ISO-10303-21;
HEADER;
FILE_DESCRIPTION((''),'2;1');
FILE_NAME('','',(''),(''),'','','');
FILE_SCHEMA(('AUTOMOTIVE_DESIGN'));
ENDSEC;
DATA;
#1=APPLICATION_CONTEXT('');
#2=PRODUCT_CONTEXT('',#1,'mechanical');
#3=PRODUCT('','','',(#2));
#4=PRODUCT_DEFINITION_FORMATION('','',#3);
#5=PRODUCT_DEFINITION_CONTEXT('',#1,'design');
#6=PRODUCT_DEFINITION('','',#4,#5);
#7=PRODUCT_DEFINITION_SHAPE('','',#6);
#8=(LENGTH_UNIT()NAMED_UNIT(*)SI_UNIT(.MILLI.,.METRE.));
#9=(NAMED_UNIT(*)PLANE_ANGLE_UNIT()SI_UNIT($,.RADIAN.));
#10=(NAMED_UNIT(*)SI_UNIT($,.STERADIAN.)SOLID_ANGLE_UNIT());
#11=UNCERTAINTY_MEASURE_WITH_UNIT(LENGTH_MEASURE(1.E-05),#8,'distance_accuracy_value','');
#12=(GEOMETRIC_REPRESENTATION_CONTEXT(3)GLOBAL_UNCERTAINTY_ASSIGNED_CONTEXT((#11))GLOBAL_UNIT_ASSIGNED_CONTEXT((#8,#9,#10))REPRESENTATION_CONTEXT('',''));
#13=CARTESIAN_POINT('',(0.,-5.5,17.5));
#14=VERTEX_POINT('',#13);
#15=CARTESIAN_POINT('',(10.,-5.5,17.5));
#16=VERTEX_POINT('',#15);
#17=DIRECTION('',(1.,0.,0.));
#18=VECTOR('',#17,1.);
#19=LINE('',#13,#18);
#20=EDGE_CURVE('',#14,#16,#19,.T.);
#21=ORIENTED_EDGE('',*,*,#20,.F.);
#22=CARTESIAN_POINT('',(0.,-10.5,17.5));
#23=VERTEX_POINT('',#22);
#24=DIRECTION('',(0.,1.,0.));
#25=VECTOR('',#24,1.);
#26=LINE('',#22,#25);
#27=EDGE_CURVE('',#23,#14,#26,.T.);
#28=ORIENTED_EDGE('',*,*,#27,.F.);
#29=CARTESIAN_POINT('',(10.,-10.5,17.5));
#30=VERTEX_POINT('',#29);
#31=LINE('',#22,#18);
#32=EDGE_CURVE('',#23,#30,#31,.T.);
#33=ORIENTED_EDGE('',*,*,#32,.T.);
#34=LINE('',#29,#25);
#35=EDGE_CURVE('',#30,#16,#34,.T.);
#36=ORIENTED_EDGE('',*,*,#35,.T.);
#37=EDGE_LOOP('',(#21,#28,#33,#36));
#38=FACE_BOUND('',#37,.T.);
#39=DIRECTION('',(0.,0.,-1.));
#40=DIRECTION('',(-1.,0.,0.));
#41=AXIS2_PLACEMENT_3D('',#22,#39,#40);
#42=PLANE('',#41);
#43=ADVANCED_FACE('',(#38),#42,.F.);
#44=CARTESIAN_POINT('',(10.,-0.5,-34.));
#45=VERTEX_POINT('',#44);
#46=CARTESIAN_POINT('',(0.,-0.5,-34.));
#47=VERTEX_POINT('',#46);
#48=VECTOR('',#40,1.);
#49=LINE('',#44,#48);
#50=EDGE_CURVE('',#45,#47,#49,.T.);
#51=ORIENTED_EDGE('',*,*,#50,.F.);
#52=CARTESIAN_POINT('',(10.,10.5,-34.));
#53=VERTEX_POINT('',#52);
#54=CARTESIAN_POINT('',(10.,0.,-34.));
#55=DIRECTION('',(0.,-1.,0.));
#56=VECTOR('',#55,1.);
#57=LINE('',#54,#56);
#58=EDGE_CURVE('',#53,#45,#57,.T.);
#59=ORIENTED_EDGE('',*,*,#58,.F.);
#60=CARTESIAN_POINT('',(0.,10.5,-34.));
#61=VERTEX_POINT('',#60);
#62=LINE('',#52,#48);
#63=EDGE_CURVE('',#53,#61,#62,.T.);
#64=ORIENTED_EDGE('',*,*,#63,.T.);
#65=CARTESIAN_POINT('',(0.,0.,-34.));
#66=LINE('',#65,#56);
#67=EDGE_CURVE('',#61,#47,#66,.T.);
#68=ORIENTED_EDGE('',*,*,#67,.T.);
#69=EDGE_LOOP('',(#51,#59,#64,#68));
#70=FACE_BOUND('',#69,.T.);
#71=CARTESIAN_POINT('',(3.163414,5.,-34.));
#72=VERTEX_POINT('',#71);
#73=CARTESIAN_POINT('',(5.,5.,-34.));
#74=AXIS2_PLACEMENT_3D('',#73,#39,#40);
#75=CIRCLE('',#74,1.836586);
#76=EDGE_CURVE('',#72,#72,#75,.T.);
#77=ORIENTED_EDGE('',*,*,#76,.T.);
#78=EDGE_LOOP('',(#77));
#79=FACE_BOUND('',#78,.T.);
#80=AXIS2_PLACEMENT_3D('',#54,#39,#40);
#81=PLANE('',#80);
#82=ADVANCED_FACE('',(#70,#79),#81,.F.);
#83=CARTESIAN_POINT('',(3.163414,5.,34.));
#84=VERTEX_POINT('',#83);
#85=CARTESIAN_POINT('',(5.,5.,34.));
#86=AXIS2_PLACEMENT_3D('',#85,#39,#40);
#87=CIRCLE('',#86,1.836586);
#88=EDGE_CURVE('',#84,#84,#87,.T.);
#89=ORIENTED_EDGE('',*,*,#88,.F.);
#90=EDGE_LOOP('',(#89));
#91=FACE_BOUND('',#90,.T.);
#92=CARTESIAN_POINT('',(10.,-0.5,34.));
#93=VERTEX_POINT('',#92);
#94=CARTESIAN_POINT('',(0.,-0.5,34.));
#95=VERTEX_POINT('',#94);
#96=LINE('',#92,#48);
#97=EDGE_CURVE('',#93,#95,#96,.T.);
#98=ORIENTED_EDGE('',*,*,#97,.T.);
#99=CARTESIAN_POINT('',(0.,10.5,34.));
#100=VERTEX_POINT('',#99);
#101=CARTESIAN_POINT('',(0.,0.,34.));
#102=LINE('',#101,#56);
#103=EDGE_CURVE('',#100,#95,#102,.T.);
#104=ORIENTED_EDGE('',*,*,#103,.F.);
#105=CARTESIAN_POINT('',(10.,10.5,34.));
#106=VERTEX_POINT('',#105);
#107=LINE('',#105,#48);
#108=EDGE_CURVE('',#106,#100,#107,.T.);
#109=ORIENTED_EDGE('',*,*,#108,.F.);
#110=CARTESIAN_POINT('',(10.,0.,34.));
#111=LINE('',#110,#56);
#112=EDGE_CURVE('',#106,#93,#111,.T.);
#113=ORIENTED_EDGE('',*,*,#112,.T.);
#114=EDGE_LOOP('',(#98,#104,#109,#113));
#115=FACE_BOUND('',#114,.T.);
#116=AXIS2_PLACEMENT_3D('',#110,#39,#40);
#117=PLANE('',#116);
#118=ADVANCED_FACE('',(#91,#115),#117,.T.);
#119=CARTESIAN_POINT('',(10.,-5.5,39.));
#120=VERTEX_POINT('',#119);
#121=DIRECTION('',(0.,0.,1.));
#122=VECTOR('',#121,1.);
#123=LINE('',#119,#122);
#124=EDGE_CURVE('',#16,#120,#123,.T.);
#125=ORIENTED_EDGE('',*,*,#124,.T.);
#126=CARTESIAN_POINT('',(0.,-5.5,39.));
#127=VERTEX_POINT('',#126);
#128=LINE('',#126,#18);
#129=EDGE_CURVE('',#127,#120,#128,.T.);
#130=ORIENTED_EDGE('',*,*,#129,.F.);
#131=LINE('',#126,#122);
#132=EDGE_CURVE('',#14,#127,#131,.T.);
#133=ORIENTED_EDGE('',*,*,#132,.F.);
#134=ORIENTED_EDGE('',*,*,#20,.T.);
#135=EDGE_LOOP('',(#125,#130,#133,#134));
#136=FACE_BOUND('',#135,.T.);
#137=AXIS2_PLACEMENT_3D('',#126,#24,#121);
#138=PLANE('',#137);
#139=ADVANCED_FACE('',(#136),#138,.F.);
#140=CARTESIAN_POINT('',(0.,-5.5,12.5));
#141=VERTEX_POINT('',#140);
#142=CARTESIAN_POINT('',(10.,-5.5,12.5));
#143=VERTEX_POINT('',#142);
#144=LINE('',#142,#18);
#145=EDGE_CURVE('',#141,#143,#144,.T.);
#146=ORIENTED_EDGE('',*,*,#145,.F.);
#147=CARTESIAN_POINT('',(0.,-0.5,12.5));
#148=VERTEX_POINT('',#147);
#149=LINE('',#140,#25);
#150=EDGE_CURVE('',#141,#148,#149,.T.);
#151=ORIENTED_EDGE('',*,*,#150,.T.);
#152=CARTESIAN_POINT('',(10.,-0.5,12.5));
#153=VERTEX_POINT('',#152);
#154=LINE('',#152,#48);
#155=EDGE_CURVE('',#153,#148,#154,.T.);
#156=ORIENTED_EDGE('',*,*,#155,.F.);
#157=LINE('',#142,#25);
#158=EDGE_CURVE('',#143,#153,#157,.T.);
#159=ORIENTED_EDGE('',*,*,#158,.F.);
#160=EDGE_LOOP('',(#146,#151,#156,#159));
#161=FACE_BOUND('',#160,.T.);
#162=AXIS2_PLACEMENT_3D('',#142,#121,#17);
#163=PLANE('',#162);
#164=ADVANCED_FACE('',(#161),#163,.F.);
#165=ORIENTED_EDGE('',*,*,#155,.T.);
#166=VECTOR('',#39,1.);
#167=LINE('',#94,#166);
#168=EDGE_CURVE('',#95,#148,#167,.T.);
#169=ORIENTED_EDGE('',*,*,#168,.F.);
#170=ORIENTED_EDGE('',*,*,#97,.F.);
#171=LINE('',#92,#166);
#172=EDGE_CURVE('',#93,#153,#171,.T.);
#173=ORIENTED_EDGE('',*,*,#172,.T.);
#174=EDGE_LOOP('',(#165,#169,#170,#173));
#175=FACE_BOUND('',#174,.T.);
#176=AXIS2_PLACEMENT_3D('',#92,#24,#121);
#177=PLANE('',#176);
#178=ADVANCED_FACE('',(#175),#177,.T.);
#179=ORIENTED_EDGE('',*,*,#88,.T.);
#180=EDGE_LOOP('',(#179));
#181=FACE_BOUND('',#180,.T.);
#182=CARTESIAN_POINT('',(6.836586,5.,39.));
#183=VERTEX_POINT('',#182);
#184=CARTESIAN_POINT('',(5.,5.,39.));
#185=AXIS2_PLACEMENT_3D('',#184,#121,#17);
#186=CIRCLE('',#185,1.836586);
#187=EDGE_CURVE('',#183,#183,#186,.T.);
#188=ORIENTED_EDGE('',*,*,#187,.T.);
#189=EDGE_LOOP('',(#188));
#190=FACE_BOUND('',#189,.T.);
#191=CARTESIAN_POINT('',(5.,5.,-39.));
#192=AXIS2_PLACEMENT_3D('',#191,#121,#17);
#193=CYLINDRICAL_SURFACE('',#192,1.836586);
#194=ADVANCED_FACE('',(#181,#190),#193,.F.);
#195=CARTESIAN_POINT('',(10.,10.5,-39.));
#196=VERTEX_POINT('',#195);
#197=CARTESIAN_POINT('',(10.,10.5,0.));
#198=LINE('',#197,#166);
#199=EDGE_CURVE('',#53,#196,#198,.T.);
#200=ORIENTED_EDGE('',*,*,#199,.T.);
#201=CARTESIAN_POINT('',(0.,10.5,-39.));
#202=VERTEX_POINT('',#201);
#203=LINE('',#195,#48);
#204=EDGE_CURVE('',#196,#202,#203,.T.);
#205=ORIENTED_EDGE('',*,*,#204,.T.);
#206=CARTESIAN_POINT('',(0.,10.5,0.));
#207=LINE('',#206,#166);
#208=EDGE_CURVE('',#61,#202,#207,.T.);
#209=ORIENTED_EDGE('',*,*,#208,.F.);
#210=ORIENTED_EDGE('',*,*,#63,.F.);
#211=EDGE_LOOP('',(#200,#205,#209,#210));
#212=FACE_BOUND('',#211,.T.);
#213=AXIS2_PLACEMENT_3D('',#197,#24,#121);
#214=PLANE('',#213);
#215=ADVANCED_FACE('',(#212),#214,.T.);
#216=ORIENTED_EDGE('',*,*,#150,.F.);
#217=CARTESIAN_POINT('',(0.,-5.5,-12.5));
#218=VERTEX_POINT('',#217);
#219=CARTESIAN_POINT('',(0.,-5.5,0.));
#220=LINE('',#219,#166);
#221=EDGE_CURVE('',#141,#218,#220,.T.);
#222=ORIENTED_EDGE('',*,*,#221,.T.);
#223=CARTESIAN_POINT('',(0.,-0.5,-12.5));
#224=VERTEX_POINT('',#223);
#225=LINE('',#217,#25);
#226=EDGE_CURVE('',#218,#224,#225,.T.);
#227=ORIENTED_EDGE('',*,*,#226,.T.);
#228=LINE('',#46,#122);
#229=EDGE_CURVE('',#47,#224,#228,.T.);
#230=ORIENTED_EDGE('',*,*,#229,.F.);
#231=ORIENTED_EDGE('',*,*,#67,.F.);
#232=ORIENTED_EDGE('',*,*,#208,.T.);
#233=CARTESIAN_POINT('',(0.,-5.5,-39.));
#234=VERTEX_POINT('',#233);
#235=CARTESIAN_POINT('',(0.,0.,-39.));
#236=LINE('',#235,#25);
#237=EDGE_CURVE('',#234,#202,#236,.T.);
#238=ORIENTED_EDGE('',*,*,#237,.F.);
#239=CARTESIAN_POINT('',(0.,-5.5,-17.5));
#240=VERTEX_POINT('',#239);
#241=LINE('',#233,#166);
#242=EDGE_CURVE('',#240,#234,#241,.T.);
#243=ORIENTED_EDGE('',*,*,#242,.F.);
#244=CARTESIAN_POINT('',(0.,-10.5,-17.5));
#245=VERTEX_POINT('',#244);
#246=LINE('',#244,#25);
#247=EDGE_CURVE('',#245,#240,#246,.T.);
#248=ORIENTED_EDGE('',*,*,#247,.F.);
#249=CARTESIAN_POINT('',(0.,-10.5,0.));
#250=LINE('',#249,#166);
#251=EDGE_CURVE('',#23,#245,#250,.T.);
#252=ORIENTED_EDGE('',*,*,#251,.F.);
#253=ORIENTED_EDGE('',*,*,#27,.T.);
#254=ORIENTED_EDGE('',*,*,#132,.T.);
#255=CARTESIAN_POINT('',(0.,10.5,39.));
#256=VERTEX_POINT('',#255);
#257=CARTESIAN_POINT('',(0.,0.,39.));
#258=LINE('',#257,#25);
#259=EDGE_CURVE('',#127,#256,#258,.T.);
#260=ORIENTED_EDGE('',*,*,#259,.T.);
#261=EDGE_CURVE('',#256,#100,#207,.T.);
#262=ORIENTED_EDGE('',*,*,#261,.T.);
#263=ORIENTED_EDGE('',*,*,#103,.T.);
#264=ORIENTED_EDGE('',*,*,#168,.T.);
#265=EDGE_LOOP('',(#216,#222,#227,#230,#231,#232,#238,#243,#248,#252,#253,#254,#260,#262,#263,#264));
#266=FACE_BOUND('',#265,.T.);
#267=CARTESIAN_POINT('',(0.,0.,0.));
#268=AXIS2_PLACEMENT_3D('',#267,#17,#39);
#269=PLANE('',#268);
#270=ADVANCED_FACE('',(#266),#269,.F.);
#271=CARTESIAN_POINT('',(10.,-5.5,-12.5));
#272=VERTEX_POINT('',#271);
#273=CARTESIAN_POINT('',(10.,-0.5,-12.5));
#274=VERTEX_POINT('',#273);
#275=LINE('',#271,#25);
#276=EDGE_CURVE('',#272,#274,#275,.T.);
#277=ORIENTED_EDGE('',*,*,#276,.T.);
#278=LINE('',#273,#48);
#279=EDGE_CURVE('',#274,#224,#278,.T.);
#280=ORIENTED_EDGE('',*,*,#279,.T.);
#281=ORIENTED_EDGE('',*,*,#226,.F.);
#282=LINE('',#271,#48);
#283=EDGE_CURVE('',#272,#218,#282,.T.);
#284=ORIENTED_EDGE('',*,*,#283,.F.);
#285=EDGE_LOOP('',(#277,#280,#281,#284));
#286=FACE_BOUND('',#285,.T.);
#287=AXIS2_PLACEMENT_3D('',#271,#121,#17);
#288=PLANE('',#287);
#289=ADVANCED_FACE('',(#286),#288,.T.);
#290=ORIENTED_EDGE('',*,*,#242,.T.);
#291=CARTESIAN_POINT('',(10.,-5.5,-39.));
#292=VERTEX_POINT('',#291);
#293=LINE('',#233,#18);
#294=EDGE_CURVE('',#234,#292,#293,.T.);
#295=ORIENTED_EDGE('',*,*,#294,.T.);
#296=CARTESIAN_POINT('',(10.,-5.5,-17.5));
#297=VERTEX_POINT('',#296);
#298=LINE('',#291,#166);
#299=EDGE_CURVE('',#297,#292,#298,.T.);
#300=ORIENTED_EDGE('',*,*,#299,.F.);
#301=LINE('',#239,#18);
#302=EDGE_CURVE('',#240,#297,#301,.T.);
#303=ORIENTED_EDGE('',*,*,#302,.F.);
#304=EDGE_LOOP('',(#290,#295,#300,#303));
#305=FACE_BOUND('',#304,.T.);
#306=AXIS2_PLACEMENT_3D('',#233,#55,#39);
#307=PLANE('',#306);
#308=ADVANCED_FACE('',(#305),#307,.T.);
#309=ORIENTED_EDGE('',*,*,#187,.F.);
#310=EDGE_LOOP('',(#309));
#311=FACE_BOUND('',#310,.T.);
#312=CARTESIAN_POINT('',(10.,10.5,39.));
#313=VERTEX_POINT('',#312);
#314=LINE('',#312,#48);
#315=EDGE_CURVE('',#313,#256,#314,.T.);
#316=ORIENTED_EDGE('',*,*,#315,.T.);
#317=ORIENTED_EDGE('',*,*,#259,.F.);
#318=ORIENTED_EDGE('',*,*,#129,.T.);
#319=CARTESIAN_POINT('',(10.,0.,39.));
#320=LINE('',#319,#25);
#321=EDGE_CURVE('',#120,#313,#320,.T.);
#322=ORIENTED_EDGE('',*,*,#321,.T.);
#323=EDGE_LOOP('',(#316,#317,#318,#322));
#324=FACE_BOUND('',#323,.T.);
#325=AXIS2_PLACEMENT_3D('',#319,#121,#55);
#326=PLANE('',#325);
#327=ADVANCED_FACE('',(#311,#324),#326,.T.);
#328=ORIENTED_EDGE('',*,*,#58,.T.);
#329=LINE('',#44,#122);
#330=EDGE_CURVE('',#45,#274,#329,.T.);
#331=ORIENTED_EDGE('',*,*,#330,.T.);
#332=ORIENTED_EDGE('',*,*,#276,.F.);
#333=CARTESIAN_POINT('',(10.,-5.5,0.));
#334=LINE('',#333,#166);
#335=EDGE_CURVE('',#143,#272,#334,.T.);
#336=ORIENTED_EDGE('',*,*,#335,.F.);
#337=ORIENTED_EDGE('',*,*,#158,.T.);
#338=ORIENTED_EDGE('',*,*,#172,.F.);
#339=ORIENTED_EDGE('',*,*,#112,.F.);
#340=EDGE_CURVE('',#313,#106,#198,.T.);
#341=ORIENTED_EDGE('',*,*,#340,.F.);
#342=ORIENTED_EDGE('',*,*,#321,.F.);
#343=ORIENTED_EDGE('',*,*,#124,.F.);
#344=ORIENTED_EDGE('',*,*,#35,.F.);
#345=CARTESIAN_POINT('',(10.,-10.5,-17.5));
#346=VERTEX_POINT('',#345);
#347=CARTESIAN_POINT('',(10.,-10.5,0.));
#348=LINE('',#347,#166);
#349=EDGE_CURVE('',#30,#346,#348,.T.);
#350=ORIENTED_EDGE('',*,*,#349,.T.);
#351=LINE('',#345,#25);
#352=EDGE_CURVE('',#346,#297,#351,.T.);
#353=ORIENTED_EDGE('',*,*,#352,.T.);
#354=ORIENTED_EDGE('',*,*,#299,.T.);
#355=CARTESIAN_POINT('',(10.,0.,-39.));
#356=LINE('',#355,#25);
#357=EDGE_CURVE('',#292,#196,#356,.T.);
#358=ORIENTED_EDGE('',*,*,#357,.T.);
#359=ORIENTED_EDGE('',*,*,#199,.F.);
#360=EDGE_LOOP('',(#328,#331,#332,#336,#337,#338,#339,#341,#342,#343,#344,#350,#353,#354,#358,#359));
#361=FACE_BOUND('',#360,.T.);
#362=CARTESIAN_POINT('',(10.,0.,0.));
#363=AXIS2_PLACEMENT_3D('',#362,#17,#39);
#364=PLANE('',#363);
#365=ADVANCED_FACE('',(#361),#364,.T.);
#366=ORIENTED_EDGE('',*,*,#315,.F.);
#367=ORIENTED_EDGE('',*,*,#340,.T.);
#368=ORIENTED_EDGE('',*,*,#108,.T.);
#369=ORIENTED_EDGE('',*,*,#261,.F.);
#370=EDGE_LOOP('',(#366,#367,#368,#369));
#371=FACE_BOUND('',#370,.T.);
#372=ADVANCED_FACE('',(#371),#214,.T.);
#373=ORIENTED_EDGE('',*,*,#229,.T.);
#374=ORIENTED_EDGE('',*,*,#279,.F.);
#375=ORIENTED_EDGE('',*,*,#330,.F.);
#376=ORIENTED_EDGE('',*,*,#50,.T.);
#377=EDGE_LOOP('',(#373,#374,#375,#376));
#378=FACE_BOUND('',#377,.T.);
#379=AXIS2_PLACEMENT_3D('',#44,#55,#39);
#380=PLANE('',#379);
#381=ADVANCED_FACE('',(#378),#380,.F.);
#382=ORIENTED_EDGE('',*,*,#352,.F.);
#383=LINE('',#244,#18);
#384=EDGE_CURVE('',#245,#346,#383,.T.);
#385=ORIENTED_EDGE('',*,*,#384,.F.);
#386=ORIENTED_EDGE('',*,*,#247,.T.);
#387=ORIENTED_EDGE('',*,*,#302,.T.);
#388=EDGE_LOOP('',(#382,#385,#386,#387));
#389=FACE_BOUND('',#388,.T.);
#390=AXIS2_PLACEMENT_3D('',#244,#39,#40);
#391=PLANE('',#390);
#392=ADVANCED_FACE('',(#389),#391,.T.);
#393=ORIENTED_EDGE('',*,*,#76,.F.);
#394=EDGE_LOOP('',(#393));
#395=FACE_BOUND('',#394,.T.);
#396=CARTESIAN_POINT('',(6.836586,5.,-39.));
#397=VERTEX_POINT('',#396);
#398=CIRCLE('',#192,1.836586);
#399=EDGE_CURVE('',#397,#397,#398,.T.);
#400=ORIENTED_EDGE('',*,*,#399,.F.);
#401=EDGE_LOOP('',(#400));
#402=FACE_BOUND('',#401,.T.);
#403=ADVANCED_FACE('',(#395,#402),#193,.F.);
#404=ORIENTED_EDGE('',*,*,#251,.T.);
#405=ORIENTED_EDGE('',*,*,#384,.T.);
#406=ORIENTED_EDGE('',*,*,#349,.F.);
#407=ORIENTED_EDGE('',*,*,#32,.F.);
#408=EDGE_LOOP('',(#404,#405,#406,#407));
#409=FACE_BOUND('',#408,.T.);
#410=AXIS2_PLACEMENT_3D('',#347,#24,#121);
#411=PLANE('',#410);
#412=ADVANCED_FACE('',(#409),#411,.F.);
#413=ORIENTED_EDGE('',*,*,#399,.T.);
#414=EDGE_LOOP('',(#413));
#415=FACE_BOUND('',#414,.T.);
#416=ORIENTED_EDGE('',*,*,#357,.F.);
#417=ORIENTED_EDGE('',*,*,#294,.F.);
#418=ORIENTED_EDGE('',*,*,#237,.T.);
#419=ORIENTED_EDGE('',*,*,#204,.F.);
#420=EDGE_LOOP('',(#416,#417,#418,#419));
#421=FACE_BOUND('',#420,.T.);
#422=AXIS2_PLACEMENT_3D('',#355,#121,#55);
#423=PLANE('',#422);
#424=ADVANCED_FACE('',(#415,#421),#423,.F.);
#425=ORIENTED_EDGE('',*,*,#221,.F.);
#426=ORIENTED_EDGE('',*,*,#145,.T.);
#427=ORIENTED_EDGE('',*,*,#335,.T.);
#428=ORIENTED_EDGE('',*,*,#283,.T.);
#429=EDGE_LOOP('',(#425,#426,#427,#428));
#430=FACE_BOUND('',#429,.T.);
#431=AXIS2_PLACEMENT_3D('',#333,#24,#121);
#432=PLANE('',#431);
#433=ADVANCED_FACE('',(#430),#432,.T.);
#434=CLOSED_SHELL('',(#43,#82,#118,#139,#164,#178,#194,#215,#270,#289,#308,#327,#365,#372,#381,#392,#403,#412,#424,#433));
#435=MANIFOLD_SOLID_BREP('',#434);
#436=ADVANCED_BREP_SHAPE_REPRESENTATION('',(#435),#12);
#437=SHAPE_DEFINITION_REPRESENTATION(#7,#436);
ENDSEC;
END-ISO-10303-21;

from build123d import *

# Parameters (mm, degrees)
SKETCH1_W               = 21.5
SKETCH1_H               = 5
BOSS_EXTRUDE1_DEPTH     = 10
CUT_EXTRUDE1_DEPTH      = 75.426137882
CUT_EXTRUDE1_DEPTH_BACK = 75.426137882
SKETCH2_R               = 1.836585915
SKETCH3_W               = 21.5
SKETCH3_H               = 5
CUT_EXTRUDE2_DEPTH      = 10


with BuildPart() as part:
    # Sketch1 → Boss-Extrude1 (new body)
    with BuildSketch(Plane(origin=(0, 0, 0), x_dir=(0, 0, -1), z_dir=(1, 0, 0))):
        Polygon((-39, 10.5), (-39, -10.5), (39, -10.5), (39, 10.5), (34, 10.5), (34, -0.5), (34, -5.5), (12.5, -5.5), (-12.5, -5.5), (-34, -5.5), (-34, -0.5), (-34, 10.5), align=None)
        with Locations((-23.25, -3)):
            Rectangle(SKETCH1_W, SKETCH1_H)
        with Locations((23.25, -3)):
            Rectangle(SKETCH1_W, SKETCH1_H)
    extrude(amount=BOSS_EXTRUDE1_DEPTH)

    # Sketch2 → Cut-Extrude1 (cut, two sides: drawn at the far end of the back side and taken through both)
    with BuildSketch(Plane.XY.offset(-34).offset(-CUT_EXTRUDE1_DEPTH_BACK)):
        with Locations((5, 5)):
            Circle(SKETCH2_R)
    extrude(amount=CUT_EXTRUDE1_DEPTH + CUT_EXTRUDE1_DEPTH_BACK, mode=Mode.SUBTRACT)

    # Sketch3 → Cut-Extrude2 (cut)
    with BuildSketch(Plane(origin=(10, 0, 0), x_dir=(0, 0, -1), z_dir=(1, 0, 0))):
        with Locations((-28.25, -8)):
            Rectangle(SKETCH3_W, SKETCH3_H)
    cut_extrude2 = extrude(amount=-CUT_EXTRUDE2_DEPTH, mode=Mode.SUBTRACT)

    # Mirror1: Cut-Extrude2 across plane
    add(cut_extrude2.mirror(Plane.XY), mode=Mode.SUBTRACT)


solid = part.part
